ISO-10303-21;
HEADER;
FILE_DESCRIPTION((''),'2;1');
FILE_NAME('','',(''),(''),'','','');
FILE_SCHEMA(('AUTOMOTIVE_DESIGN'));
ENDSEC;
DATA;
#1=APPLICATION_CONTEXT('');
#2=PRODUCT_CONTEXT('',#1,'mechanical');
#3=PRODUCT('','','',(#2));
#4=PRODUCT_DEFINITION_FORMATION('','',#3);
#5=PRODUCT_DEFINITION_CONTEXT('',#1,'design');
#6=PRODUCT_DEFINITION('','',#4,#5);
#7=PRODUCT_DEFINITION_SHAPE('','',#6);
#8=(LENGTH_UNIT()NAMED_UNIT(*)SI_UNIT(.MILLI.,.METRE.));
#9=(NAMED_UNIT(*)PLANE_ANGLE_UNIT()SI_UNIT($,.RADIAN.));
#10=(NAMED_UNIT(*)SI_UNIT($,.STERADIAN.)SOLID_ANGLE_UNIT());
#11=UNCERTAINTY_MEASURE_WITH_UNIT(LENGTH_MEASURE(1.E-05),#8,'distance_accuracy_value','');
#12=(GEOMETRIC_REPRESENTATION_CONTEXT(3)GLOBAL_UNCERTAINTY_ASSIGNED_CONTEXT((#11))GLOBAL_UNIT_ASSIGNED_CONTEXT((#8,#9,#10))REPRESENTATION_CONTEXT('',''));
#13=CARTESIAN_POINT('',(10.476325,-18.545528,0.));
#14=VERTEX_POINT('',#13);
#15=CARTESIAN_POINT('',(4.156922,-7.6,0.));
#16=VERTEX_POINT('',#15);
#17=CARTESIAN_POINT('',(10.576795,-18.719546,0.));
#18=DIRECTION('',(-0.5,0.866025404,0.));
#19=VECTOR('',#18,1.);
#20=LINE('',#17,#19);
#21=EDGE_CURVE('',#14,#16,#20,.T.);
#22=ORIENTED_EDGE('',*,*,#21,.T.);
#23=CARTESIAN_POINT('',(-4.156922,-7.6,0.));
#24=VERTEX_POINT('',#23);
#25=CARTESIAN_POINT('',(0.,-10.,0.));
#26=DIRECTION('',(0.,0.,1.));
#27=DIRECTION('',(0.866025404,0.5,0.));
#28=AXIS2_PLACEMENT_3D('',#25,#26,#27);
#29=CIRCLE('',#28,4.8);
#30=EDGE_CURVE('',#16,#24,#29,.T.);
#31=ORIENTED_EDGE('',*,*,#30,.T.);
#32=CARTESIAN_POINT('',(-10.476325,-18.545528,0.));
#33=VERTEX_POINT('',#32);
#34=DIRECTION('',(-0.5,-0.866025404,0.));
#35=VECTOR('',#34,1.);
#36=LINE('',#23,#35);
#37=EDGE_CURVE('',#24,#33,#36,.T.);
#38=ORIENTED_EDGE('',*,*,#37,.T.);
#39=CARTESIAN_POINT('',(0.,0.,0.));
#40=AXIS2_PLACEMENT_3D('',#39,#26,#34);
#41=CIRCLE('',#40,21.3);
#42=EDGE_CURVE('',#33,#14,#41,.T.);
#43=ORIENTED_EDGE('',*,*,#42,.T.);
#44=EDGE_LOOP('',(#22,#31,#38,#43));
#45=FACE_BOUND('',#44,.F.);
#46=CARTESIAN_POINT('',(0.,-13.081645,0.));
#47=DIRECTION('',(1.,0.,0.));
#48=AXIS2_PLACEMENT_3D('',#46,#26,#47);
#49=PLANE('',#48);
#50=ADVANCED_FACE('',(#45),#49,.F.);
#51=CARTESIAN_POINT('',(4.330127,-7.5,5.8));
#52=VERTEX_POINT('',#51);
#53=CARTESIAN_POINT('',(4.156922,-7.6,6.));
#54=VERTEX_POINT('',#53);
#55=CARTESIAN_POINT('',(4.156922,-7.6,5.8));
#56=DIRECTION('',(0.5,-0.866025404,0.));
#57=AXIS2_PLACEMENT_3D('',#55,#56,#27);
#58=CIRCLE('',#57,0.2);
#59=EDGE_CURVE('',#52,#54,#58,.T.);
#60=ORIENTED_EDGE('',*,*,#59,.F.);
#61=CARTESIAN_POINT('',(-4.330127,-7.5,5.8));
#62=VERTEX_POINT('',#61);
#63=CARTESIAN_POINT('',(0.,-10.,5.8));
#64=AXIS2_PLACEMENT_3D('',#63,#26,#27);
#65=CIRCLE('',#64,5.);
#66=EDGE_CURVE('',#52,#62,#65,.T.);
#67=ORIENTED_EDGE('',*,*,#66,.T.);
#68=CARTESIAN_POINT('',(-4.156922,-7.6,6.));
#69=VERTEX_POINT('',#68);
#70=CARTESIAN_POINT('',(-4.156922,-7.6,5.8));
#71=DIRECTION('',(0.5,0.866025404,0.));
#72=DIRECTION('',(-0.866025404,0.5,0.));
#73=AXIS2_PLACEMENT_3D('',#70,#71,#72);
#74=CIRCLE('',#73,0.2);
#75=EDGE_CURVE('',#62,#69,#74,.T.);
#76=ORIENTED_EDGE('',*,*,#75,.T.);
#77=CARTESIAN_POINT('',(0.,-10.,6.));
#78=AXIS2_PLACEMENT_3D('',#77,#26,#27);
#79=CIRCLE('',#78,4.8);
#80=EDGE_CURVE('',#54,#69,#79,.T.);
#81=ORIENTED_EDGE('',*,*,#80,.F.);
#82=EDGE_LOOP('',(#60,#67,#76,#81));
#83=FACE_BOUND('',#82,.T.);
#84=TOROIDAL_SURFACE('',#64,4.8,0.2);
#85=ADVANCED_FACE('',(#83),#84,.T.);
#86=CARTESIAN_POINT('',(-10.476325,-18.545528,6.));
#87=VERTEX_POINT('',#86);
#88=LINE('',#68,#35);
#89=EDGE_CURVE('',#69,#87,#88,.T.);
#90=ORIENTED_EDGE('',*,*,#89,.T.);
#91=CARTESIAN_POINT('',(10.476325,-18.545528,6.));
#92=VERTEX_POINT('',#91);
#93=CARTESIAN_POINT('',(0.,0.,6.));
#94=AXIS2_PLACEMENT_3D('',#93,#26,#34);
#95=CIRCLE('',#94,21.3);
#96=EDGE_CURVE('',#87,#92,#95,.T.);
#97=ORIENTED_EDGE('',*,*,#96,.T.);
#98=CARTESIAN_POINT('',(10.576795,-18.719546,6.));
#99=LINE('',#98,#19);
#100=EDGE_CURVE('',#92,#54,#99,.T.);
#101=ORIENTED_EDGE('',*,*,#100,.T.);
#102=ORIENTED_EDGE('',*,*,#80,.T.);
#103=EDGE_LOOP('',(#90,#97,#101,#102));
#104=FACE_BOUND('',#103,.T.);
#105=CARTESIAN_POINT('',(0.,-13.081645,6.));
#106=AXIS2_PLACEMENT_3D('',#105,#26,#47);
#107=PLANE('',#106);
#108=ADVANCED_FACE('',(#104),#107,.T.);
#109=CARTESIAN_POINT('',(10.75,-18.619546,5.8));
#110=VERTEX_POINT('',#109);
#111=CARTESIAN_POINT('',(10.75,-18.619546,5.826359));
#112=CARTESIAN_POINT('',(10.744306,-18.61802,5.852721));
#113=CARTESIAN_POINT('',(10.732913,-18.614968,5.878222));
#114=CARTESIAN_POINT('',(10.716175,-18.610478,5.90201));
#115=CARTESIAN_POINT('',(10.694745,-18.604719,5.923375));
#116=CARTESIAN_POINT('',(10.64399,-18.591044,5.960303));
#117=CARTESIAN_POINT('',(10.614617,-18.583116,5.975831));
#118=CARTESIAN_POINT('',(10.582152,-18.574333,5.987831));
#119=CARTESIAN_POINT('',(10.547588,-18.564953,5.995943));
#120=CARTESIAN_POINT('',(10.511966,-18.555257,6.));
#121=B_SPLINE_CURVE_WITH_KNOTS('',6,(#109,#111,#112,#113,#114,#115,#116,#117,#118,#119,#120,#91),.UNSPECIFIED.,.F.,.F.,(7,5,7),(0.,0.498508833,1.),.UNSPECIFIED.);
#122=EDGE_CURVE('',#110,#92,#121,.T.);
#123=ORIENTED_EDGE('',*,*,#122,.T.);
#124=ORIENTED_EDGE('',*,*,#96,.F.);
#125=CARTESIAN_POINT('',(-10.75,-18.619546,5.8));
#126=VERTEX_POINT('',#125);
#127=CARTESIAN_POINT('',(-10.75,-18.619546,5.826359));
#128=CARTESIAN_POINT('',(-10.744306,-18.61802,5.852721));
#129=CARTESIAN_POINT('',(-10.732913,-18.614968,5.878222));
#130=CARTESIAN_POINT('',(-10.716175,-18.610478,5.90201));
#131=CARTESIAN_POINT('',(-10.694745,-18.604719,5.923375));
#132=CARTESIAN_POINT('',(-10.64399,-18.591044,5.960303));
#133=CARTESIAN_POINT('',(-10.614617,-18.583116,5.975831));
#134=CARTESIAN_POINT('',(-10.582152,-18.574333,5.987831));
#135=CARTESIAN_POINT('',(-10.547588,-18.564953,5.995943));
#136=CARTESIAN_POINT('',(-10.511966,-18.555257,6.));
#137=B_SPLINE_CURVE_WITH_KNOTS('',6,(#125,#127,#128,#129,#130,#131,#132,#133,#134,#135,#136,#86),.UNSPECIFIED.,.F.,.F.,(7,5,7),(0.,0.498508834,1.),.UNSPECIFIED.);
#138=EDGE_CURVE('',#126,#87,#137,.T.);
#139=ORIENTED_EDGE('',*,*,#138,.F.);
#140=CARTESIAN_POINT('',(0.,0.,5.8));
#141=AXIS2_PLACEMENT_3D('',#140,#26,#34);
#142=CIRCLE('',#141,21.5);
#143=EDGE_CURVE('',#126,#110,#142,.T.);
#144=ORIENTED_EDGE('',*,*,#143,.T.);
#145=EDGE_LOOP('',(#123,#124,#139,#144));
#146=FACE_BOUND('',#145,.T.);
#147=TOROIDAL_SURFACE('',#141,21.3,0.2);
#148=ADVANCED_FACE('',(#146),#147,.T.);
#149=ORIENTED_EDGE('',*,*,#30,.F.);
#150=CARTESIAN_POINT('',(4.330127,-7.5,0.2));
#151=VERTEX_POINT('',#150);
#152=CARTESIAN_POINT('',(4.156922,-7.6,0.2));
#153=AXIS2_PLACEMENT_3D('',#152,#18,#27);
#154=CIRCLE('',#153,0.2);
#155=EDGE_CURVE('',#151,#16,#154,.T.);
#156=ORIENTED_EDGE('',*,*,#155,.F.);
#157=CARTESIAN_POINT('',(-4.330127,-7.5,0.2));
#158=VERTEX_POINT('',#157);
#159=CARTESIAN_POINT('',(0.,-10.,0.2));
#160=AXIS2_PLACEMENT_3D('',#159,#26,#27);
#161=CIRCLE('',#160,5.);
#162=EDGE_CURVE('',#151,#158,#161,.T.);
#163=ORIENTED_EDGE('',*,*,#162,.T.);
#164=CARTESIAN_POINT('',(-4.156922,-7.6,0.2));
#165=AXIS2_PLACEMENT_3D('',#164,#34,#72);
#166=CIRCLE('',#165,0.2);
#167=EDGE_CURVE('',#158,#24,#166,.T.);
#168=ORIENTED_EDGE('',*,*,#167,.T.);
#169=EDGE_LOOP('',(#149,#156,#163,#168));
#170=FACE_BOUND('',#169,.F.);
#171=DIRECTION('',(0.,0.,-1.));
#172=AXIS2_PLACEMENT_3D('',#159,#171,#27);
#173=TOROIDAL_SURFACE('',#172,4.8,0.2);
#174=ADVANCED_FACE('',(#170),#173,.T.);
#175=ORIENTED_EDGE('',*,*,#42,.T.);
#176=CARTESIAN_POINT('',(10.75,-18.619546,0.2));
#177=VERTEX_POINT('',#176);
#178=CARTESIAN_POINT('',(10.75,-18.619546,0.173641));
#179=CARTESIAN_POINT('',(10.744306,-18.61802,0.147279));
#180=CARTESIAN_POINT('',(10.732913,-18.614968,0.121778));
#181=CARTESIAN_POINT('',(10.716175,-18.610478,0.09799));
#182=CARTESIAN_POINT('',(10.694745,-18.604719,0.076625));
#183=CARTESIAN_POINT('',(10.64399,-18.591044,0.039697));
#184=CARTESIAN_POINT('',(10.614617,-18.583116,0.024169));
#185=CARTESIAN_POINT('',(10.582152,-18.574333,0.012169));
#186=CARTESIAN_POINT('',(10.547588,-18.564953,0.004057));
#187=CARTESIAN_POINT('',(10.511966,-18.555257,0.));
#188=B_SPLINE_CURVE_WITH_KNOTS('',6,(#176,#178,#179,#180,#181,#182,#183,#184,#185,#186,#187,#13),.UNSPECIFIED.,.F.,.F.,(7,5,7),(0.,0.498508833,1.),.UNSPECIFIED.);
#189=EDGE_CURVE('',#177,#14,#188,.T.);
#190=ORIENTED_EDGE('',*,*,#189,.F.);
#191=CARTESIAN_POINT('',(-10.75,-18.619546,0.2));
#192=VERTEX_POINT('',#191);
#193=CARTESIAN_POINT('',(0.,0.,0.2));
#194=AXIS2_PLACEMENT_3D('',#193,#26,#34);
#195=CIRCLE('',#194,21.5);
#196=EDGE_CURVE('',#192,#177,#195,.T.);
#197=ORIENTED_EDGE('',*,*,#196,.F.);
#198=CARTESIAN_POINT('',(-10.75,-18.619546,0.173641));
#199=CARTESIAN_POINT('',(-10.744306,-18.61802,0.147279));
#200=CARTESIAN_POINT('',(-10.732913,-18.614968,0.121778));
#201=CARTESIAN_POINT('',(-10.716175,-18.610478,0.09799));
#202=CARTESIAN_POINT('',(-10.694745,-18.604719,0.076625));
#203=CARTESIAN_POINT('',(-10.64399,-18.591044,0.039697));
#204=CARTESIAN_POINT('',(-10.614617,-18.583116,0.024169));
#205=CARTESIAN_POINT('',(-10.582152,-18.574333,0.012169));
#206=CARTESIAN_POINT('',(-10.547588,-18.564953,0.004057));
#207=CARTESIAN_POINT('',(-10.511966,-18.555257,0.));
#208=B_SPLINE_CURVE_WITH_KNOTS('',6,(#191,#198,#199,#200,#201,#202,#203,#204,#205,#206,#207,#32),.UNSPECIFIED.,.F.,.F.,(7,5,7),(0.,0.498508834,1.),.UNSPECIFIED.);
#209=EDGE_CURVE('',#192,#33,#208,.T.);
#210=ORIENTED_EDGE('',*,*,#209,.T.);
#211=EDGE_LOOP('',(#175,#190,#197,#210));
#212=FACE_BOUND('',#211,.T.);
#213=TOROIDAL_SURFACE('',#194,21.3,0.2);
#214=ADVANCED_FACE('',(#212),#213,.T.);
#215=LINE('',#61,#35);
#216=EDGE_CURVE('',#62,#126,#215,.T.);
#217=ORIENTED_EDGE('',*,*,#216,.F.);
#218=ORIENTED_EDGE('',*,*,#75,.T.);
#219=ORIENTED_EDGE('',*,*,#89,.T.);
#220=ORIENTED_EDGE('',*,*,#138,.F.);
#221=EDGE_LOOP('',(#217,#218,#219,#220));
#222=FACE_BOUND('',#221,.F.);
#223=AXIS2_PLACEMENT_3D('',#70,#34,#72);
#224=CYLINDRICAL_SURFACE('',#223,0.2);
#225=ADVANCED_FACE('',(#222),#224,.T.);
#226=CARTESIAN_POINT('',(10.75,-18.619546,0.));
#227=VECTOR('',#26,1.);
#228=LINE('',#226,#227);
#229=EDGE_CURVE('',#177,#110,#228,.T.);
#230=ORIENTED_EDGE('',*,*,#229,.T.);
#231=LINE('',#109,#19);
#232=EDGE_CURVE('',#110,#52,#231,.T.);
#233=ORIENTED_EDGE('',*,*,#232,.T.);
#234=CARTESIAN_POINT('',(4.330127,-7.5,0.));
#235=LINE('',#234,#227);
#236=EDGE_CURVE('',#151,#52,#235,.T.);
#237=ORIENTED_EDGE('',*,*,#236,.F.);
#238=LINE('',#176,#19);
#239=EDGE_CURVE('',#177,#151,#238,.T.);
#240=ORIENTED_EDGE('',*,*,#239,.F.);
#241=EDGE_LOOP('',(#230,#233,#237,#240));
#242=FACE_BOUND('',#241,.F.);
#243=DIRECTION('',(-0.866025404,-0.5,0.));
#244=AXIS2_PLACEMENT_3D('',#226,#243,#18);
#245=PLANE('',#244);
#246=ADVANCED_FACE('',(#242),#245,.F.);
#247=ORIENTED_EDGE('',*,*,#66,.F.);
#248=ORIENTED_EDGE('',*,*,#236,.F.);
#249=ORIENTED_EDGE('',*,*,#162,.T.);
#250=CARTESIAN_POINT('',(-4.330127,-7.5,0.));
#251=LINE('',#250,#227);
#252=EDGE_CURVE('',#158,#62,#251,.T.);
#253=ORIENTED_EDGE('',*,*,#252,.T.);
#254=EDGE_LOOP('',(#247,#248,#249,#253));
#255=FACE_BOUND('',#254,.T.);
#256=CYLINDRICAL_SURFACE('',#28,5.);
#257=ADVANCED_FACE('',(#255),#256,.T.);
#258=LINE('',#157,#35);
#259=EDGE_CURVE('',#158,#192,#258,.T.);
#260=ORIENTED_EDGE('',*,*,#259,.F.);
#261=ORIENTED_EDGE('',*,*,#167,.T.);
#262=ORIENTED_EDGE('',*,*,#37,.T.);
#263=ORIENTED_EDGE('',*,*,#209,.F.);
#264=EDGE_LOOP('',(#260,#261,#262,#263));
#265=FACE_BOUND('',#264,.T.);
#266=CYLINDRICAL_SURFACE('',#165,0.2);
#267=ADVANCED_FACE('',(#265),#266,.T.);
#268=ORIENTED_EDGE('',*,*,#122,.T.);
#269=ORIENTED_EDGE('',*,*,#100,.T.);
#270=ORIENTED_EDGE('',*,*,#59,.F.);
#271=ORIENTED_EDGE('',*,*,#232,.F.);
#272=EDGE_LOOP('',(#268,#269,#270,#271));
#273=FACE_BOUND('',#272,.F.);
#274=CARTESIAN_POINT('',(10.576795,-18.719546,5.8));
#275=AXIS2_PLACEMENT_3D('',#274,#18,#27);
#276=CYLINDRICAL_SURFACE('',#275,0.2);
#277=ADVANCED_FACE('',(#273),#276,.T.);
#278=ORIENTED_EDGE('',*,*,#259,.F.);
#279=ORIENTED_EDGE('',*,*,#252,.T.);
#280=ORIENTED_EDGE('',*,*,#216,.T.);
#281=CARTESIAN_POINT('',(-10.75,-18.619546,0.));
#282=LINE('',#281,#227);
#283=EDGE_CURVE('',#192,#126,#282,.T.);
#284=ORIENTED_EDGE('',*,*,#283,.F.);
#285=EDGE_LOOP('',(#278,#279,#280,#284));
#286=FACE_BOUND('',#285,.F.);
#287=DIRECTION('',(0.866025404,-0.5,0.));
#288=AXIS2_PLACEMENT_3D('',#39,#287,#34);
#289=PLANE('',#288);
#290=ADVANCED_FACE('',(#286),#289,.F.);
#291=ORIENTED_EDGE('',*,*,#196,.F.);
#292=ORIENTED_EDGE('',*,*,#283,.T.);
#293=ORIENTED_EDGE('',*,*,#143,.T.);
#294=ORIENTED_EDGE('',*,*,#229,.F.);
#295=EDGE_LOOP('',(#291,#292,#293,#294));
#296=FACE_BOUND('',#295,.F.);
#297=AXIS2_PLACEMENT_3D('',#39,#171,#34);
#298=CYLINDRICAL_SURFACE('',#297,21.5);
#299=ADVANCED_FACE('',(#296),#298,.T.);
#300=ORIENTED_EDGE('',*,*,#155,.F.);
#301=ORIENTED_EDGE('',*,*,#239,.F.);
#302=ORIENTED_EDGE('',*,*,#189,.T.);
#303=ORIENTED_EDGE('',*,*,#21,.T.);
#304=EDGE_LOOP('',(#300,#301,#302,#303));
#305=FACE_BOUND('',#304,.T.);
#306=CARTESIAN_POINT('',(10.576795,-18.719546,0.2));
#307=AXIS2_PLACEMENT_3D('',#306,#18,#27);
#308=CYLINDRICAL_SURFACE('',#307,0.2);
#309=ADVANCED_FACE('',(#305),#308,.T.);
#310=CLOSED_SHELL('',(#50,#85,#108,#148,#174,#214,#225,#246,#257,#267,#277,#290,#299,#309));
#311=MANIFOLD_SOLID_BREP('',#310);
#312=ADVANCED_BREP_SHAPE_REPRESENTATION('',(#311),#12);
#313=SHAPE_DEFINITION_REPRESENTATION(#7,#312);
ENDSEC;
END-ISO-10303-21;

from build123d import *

# Parameters (mm, degrees)
F1_DEPTH = 6
F2_R     = 5
F3_R     = 0.2
F4_R     = 0.2


with BuildPart() as f1:
    # F0 (on Top) → F1 (new body)
    with BuildSketch(Plane.XY):
        with BuildLine():
            Line((10.75, -18.6195461814), (0, 0))
            Line((0, 0), (-10.75, -18.6195461814))
            ThreePointArc((-10.75, -18.6195461814), (0, -21.5), (10.75, -18.6195461814))
        make_face()
    extrude(amount=F1_DEPTH)

    # F2
    f2_edges = [f1.edges().sort_by_distance(p)[0] for p in [
        (0, 0, 3),
    ]]
    fillet(f2_edges, radius=F2_R)

    # F3
    f3_edges = [f1.edges().sort_by_distance(p)[0] for p in [
        (7.540064, -13.059773, 6),
        (0, -5, 6),
        (0, -21.5, 6),
        (-7.540064, -13.059773, 6),
    ]]
    fillet(f3_edges, radius=F3_R)

    # F4
    f4_edges = [f1.edges().sort_by_distance(p)[0] for p in [
        (7.540064, -13.059773, 0),
        (0, -5, 0),
        (0, -21.5, 0),
        (-7.540064, -13.059773, 0),
    ]]
    fillet(f4_edges, radius=F4_R)


solid = f1.part
